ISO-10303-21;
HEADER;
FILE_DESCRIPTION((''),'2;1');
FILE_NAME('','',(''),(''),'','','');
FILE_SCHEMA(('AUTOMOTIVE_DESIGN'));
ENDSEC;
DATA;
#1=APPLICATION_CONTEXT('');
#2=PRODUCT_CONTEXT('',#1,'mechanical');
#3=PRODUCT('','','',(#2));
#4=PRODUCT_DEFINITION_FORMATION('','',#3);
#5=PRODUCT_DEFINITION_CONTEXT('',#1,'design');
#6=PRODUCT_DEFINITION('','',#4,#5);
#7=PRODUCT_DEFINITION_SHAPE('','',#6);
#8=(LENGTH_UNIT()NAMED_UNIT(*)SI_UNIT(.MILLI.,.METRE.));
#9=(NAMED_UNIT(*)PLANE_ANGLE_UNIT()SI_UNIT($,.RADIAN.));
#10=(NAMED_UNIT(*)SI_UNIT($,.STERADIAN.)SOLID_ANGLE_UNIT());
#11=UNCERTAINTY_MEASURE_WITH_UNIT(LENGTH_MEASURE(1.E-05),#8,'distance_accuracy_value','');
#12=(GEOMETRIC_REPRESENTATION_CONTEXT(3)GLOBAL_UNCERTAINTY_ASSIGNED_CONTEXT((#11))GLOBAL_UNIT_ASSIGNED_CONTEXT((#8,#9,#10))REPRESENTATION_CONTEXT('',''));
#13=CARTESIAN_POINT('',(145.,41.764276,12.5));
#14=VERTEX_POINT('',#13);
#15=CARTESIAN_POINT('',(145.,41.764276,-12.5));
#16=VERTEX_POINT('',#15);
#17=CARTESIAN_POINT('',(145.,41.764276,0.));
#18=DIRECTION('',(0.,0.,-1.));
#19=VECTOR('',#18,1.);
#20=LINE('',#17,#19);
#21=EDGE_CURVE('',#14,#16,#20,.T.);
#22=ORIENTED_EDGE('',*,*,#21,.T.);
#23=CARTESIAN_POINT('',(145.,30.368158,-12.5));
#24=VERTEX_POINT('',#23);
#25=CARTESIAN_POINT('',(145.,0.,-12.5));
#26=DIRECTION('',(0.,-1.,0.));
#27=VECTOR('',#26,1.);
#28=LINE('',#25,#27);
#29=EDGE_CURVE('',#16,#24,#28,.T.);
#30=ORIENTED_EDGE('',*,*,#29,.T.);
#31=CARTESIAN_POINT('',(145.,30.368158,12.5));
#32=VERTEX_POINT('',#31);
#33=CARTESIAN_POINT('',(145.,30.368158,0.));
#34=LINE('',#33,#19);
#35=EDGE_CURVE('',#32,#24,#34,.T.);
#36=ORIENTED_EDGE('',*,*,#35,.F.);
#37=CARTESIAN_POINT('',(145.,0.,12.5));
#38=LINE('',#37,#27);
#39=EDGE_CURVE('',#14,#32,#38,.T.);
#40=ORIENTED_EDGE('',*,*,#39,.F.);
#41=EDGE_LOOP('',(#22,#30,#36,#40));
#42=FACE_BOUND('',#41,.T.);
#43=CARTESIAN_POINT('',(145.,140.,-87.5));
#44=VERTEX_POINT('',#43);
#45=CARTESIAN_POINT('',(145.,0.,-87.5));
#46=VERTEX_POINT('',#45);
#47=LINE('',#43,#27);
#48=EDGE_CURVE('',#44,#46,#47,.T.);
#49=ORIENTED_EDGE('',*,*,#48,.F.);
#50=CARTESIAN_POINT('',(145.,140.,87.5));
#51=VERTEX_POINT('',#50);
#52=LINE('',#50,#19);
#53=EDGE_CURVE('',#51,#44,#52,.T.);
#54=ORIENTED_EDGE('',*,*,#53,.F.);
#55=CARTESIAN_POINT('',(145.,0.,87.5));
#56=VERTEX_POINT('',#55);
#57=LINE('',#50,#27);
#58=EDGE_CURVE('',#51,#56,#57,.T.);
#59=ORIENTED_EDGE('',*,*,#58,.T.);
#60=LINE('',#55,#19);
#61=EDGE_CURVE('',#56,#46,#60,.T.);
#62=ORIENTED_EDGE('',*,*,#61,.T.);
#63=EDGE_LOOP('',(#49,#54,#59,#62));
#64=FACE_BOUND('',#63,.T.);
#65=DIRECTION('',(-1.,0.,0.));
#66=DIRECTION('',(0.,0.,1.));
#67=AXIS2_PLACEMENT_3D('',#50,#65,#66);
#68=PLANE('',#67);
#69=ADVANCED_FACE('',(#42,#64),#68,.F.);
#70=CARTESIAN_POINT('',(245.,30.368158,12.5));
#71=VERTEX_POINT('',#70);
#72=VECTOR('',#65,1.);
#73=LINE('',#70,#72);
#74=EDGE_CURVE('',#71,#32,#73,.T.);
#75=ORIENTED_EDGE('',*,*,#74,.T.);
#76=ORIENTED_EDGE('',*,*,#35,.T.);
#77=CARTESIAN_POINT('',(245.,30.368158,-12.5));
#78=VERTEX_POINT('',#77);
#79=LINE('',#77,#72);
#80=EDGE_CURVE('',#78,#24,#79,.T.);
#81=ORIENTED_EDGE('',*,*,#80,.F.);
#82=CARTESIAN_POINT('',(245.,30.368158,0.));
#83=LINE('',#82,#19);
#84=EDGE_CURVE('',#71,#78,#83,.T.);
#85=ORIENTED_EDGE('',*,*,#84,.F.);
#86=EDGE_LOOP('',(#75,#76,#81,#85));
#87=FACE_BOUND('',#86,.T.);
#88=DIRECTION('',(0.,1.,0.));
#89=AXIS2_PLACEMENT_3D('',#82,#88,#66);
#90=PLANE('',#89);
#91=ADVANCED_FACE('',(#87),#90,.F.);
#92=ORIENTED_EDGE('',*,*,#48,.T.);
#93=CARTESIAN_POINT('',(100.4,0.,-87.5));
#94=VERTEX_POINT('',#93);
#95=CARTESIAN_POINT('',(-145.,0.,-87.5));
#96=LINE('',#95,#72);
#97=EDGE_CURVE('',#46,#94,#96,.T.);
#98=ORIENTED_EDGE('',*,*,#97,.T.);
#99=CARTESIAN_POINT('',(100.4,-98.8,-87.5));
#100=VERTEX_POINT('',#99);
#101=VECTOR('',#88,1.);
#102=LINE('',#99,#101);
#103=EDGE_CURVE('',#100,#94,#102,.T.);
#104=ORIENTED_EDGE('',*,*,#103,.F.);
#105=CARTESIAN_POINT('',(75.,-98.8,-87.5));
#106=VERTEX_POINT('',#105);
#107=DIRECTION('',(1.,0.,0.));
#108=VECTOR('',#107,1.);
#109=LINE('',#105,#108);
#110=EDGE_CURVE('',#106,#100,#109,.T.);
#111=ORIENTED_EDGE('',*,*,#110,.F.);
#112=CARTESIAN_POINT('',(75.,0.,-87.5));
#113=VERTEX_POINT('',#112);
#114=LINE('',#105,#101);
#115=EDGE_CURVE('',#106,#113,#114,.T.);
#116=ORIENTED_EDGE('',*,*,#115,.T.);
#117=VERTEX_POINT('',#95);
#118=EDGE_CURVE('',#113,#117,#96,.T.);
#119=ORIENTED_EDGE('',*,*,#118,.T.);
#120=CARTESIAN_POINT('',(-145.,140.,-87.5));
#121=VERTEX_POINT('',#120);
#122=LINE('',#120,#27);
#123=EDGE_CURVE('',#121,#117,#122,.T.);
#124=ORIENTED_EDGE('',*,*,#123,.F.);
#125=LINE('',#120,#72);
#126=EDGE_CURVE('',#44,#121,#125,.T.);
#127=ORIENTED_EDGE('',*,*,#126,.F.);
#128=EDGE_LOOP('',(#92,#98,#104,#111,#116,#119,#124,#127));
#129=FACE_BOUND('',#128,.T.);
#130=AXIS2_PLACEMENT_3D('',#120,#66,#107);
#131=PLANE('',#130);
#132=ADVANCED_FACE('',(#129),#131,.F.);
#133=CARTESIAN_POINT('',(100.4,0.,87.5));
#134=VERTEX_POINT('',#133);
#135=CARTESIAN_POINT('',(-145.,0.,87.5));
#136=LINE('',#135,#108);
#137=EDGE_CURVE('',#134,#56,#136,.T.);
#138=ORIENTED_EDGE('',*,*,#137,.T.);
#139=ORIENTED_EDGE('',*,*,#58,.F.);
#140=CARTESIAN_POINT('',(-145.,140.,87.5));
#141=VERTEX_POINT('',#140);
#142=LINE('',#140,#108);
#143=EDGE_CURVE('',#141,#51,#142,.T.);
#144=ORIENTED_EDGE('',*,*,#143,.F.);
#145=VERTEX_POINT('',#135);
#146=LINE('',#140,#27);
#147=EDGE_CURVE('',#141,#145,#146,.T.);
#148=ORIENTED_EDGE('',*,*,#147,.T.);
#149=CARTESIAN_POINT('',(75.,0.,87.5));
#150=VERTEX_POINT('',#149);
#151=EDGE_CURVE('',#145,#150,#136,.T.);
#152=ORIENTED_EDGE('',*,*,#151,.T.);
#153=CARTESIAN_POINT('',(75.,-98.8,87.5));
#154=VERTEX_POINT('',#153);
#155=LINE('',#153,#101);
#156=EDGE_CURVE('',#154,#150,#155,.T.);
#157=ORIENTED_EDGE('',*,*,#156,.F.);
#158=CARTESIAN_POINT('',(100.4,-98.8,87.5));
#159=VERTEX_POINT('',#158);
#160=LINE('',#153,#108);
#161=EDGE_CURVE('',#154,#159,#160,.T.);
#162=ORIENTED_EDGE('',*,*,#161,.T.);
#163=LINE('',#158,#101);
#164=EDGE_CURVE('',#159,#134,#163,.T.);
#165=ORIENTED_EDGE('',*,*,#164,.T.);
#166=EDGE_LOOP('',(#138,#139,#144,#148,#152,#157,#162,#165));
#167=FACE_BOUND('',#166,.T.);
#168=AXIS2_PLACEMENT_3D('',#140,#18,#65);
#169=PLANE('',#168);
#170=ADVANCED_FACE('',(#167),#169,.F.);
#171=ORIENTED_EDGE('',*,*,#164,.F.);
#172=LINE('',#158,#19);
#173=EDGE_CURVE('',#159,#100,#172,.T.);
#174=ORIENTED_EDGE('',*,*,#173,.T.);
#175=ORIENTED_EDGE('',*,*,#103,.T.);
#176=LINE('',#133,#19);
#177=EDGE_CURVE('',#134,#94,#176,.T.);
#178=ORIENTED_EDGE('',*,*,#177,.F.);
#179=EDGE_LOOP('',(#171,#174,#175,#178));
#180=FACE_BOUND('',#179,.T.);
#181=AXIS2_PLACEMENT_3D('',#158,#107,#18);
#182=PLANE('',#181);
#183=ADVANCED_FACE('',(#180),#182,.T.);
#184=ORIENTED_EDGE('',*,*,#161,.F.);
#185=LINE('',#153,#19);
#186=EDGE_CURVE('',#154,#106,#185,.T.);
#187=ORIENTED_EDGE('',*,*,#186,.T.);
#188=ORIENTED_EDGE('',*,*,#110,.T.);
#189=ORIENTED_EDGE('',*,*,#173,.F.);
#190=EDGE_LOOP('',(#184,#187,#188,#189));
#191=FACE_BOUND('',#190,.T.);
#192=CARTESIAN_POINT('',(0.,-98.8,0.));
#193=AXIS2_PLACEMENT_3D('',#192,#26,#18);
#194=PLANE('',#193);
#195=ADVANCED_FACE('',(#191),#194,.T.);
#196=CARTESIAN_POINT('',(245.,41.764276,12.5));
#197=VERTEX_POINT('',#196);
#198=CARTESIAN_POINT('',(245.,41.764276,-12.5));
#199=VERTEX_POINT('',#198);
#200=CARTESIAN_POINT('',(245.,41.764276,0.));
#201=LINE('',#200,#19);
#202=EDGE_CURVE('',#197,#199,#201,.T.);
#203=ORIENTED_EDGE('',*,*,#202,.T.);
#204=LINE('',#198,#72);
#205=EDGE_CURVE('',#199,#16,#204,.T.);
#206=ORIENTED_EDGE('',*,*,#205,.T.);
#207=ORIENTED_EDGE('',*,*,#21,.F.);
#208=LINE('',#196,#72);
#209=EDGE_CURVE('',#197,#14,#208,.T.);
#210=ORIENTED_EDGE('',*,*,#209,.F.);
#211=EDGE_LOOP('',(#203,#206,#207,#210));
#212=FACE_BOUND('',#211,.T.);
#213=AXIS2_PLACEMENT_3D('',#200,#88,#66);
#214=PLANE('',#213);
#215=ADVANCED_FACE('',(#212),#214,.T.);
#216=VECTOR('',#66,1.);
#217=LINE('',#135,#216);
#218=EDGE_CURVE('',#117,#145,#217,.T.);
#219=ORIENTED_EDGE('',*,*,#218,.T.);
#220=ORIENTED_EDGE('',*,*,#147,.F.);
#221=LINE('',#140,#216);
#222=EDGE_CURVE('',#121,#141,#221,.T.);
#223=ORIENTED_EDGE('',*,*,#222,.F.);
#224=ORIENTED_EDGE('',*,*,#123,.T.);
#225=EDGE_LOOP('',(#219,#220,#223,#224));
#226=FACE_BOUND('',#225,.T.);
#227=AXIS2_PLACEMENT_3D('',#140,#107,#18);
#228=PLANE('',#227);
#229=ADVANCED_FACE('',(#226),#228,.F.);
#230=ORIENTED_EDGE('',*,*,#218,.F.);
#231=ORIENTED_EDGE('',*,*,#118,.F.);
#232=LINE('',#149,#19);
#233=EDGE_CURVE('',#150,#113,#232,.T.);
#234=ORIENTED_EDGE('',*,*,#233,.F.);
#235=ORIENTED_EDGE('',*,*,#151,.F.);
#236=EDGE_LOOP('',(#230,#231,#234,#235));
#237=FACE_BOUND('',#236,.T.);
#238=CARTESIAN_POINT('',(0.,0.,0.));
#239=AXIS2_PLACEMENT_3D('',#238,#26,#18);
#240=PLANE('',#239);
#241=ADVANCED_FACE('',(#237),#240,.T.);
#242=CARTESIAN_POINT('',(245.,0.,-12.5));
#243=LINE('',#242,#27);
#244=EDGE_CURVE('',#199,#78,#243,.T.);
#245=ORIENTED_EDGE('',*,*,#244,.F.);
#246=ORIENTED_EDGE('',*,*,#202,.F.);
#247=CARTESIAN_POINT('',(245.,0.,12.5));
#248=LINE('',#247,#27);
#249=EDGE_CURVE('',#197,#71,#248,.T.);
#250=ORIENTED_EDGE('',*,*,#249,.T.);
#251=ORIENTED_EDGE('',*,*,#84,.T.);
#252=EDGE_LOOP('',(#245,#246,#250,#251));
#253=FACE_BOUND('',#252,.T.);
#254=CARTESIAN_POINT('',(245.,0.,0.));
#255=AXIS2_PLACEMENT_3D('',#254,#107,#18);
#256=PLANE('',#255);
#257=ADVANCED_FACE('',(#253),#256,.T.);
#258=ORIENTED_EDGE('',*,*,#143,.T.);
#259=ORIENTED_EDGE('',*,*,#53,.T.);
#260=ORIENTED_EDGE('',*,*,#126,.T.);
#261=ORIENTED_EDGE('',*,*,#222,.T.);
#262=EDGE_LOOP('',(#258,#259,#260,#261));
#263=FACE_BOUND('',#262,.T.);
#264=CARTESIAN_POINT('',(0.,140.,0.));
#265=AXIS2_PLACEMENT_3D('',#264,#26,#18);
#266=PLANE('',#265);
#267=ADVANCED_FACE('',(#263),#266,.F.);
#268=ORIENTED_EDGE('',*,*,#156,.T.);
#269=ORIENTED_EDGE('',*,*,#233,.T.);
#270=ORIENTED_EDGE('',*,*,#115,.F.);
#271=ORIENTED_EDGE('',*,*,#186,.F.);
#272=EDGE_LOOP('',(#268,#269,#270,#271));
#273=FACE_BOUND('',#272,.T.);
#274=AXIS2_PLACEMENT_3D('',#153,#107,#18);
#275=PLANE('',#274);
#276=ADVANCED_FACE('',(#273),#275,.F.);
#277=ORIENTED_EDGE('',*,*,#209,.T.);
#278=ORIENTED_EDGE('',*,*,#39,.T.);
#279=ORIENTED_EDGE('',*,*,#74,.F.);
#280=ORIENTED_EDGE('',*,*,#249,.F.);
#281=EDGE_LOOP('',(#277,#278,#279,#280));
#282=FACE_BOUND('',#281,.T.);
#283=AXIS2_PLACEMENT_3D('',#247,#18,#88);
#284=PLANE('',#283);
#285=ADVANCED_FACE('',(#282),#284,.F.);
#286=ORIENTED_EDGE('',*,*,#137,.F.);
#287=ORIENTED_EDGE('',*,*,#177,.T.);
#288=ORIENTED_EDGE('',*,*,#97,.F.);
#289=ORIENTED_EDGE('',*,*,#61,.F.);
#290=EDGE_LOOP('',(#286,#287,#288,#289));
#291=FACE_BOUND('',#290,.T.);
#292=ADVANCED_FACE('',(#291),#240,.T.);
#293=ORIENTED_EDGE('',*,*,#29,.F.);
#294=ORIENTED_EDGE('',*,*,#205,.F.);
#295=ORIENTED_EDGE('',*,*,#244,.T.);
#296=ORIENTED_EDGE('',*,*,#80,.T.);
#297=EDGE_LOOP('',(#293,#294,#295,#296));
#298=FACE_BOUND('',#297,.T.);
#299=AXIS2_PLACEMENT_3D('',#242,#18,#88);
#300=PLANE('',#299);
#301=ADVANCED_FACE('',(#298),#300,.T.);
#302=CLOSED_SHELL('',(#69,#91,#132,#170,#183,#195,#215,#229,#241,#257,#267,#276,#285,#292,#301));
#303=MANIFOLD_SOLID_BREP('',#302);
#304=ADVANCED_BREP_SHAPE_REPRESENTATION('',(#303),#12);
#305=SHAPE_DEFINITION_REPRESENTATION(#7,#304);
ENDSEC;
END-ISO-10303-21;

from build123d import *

# Parameters (mm, degrees)
SKETCH1_W           = 290
SKETCH1_H           = 175
BOSS_EXTRUDE1_DEPTH = 140
SKETCH2_W           = 25.4
SKETCH2_H           = 175
BOSS_EXTRUDE2_DEPTH = 98.8
SKETCH3_W           = 25
SKETCH3_H           = 11.396117448
BOSS_EXTRUDE3_DEPTH = 100


with BuildPart() as part:
    # Sketch1 → Boss-Extrude1 (new body)
    with BuildSketch(Plane(origin=(0, 0, 0), x_dir=(1, 0, 0), z_dir=(0, 1, 0))):
        Rectangle(SKETCH1_W, SKETCH1_H)
    extrude(amount=BOSS_EXTRUDE1_DEPTH)

    # Sketch2 → Boss-Extrude2 (add)
    with BuildSketch(Plane.XZ):
        with Locations((87.7, 0)):
            Rectangle(SKETCH2_W, SKETCH2_H)
    extrude(amount=BOSS_EXTRUDE2_DEPTH)

    # Sketch3 → Boss-Extrude3 (add)
    with BuildSketch(Plane(origin=(145, 0, 0), x_dir=(0, 0, -1), z_dir=(1, 0, 0))):
        with Locations((0, 36.066217011)):
            Rectangle(SKETCH3_W, SKETCH3_H)
    extrude(amount=BOSS_EXTRUDE3_DEPTH)


solid = part.part
